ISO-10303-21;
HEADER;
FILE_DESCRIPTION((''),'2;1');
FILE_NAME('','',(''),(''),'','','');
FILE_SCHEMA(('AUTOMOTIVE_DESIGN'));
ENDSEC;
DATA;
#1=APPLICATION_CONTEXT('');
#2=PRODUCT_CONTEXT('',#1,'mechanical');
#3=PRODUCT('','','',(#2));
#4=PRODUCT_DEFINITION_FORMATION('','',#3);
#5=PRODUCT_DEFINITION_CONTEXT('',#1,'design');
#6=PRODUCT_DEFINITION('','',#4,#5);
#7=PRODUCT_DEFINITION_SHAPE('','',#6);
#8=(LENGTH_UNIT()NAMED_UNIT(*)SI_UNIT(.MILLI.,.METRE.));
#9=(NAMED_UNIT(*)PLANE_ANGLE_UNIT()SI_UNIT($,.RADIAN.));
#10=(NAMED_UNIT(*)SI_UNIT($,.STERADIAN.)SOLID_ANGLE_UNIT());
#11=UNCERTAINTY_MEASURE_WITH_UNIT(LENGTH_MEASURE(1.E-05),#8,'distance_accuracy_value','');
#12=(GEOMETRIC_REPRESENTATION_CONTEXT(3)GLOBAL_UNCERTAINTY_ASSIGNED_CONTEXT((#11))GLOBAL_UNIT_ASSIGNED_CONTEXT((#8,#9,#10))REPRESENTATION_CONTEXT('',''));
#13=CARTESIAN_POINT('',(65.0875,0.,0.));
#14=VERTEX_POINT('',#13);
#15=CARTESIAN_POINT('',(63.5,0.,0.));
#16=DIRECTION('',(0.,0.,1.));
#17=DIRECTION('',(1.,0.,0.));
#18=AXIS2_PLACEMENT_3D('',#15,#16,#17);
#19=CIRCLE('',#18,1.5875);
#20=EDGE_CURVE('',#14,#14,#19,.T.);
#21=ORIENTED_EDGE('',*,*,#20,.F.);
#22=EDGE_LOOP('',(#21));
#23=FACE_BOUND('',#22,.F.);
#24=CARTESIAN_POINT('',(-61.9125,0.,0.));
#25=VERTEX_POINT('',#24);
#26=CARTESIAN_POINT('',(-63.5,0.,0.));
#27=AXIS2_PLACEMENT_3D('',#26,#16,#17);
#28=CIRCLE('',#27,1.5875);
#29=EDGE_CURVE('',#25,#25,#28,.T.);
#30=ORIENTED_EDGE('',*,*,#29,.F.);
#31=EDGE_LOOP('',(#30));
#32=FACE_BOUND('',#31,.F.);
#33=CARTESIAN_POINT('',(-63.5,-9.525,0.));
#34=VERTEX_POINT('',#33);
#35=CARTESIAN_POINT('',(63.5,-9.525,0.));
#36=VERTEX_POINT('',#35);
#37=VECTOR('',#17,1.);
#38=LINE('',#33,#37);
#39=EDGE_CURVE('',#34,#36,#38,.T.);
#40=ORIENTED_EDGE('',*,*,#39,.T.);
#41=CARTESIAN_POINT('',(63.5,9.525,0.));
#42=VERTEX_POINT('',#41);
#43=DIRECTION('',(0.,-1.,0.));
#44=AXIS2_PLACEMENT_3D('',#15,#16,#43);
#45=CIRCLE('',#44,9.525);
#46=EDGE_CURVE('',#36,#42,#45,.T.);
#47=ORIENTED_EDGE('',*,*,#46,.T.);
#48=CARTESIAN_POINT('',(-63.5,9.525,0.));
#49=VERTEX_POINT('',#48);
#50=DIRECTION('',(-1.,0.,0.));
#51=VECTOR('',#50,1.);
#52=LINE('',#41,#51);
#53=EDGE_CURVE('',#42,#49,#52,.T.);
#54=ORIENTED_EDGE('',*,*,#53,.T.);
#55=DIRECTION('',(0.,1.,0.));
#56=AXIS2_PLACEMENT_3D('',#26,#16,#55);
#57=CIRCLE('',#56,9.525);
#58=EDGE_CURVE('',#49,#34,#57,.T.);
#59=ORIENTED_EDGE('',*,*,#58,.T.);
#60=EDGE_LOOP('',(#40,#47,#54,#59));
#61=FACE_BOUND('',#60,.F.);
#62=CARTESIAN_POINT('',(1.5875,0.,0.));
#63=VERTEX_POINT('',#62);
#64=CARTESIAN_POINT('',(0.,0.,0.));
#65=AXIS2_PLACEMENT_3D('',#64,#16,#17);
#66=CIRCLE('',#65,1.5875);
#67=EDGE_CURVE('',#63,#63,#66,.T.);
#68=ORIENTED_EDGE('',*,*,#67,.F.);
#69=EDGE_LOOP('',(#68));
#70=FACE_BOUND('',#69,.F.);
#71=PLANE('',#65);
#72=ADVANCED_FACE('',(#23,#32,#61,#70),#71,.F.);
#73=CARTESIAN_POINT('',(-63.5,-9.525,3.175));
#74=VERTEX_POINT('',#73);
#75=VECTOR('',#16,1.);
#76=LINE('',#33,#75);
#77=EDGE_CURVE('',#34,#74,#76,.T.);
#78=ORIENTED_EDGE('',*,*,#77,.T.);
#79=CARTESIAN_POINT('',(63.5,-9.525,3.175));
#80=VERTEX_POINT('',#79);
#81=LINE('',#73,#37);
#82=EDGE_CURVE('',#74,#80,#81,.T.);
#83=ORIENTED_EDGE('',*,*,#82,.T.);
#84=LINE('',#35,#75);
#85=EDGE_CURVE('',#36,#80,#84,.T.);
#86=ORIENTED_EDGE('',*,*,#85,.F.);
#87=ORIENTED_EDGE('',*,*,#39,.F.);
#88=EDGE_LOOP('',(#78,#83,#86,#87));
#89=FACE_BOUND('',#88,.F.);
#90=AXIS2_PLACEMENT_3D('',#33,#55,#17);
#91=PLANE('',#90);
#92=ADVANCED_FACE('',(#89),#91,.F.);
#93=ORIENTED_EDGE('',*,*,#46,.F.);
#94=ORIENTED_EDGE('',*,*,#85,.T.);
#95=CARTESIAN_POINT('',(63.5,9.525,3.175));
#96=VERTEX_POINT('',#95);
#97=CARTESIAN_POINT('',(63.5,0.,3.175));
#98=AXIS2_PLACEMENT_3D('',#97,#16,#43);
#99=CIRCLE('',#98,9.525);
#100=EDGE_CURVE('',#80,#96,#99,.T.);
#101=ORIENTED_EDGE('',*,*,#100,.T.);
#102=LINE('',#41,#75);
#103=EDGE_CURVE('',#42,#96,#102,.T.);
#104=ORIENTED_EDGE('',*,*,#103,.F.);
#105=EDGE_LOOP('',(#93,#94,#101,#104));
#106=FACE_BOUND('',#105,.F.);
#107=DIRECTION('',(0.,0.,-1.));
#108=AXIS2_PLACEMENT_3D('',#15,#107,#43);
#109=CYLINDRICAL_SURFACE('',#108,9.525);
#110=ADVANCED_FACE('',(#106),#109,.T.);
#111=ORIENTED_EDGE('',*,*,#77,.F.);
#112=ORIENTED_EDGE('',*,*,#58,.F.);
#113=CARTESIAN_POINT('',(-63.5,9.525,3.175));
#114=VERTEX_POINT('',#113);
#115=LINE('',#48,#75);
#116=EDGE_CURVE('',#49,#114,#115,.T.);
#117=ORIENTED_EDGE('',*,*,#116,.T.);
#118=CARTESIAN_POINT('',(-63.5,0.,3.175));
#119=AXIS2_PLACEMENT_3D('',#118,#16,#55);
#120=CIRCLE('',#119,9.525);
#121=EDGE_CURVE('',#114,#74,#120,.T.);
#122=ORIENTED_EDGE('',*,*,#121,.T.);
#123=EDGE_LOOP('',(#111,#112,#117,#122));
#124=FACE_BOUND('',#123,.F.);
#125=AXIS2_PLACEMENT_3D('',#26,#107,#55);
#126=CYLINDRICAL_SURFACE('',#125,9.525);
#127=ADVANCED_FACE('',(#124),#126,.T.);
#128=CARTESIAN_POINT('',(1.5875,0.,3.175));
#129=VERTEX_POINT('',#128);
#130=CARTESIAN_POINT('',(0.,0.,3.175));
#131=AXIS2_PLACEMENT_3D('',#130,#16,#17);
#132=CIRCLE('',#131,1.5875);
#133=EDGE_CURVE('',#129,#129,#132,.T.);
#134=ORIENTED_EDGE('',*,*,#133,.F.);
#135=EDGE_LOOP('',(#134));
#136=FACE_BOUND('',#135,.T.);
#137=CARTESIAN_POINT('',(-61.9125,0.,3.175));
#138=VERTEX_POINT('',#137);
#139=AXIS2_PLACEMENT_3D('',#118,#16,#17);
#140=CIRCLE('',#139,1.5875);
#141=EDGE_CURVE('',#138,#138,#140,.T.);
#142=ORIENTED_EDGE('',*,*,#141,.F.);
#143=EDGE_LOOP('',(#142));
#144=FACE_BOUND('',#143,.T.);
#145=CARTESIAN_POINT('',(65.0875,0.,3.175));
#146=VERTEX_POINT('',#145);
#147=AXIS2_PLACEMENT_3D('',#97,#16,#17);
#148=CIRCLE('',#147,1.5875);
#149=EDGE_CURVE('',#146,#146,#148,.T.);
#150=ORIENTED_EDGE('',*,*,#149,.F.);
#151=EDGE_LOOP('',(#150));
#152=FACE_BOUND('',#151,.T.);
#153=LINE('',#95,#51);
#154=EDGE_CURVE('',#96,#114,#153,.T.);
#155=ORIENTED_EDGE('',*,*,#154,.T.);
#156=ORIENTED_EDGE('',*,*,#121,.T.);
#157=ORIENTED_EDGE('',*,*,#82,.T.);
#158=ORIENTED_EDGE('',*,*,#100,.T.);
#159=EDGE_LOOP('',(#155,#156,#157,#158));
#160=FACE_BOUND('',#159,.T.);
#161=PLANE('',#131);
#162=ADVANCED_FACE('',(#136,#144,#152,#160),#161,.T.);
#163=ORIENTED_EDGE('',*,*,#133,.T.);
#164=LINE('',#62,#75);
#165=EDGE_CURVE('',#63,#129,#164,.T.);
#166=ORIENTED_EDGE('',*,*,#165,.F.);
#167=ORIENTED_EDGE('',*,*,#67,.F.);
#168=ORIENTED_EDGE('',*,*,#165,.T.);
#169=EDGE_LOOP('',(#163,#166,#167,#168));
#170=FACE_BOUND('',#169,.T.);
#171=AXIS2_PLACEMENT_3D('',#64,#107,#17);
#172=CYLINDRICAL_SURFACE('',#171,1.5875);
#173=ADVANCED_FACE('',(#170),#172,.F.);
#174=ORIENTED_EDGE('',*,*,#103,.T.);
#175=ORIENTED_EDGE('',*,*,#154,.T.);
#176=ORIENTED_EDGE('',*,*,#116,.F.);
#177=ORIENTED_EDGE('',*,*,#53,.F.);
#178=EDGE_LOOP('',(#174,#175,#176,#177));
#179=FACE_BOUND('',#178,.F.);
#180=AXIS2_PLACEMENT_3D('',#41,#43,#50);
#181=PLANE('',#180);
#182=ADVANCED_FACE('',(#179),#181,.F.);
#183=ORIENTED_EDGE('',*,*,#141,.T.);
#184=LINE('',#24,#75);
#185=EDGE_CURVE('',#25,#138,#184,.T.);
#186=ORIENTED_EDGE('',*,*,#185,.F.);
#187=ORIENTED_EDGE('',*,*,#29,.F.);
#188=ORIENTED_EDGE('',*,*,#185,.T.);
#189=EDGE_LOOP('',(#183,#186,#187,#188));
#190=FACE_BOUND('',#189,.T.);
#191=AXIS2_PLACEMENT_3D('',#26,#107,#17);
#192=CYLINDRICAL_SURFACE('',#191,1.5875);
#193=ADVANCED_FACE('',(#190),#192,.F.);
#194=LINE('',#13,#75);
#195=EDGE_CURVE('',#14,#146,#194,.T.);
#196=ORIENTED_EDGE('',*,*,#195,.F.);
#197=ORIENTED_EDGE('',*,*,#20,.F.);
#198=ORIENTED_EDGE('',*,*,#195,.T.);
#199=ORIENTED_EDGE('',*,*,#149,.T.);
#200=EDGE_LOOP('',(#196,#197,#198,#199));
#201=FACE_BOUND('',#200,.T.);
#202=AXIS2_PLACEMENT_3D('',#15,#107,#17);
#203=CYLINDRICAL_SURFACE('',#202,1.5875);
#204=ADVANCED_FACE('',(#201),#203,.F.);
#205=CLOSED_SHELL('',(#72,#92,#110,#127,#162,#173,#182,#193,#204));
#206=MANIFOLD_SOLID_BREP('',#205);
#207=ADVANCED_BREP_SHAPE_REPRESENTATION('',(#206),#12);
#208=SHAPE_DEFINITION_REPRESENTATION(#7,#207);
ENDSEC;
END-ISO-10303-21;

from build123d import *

# Parameters (mm, degrees)
F0_R     = 1.5875
F1_DEPTH = 3.175


with BuildPart() as f1:
    # F0 (on Top) → F1 (new body)
    with BuildSketch(Plane.XY):
        with BuildLine():
            ThreePointArc((63.5, -9.525), (73.025, 0), (63.5, 9.525))
            Line((63.5, 9.525), (-63.5, 9.525))
            ThreePointArc((-63.5, 9.525), (-73.025, 0), (-63.5, -9.525))
            Line((-63.5, -9.525), (63.5, -9.525))
        make_face()
        with Locations((-63.5, 0)):
            Circle(F0_R, mode=Mode.SUBTRACT)
        Circle(F0_R, mode=Mode.SUBTRACT)
        with Locations((63.5, 0)):
            Circle(F0_R, mode=Mode.SUBTRACT)
    extrude(amount=F1_DEPTH)


solid = f1.part
